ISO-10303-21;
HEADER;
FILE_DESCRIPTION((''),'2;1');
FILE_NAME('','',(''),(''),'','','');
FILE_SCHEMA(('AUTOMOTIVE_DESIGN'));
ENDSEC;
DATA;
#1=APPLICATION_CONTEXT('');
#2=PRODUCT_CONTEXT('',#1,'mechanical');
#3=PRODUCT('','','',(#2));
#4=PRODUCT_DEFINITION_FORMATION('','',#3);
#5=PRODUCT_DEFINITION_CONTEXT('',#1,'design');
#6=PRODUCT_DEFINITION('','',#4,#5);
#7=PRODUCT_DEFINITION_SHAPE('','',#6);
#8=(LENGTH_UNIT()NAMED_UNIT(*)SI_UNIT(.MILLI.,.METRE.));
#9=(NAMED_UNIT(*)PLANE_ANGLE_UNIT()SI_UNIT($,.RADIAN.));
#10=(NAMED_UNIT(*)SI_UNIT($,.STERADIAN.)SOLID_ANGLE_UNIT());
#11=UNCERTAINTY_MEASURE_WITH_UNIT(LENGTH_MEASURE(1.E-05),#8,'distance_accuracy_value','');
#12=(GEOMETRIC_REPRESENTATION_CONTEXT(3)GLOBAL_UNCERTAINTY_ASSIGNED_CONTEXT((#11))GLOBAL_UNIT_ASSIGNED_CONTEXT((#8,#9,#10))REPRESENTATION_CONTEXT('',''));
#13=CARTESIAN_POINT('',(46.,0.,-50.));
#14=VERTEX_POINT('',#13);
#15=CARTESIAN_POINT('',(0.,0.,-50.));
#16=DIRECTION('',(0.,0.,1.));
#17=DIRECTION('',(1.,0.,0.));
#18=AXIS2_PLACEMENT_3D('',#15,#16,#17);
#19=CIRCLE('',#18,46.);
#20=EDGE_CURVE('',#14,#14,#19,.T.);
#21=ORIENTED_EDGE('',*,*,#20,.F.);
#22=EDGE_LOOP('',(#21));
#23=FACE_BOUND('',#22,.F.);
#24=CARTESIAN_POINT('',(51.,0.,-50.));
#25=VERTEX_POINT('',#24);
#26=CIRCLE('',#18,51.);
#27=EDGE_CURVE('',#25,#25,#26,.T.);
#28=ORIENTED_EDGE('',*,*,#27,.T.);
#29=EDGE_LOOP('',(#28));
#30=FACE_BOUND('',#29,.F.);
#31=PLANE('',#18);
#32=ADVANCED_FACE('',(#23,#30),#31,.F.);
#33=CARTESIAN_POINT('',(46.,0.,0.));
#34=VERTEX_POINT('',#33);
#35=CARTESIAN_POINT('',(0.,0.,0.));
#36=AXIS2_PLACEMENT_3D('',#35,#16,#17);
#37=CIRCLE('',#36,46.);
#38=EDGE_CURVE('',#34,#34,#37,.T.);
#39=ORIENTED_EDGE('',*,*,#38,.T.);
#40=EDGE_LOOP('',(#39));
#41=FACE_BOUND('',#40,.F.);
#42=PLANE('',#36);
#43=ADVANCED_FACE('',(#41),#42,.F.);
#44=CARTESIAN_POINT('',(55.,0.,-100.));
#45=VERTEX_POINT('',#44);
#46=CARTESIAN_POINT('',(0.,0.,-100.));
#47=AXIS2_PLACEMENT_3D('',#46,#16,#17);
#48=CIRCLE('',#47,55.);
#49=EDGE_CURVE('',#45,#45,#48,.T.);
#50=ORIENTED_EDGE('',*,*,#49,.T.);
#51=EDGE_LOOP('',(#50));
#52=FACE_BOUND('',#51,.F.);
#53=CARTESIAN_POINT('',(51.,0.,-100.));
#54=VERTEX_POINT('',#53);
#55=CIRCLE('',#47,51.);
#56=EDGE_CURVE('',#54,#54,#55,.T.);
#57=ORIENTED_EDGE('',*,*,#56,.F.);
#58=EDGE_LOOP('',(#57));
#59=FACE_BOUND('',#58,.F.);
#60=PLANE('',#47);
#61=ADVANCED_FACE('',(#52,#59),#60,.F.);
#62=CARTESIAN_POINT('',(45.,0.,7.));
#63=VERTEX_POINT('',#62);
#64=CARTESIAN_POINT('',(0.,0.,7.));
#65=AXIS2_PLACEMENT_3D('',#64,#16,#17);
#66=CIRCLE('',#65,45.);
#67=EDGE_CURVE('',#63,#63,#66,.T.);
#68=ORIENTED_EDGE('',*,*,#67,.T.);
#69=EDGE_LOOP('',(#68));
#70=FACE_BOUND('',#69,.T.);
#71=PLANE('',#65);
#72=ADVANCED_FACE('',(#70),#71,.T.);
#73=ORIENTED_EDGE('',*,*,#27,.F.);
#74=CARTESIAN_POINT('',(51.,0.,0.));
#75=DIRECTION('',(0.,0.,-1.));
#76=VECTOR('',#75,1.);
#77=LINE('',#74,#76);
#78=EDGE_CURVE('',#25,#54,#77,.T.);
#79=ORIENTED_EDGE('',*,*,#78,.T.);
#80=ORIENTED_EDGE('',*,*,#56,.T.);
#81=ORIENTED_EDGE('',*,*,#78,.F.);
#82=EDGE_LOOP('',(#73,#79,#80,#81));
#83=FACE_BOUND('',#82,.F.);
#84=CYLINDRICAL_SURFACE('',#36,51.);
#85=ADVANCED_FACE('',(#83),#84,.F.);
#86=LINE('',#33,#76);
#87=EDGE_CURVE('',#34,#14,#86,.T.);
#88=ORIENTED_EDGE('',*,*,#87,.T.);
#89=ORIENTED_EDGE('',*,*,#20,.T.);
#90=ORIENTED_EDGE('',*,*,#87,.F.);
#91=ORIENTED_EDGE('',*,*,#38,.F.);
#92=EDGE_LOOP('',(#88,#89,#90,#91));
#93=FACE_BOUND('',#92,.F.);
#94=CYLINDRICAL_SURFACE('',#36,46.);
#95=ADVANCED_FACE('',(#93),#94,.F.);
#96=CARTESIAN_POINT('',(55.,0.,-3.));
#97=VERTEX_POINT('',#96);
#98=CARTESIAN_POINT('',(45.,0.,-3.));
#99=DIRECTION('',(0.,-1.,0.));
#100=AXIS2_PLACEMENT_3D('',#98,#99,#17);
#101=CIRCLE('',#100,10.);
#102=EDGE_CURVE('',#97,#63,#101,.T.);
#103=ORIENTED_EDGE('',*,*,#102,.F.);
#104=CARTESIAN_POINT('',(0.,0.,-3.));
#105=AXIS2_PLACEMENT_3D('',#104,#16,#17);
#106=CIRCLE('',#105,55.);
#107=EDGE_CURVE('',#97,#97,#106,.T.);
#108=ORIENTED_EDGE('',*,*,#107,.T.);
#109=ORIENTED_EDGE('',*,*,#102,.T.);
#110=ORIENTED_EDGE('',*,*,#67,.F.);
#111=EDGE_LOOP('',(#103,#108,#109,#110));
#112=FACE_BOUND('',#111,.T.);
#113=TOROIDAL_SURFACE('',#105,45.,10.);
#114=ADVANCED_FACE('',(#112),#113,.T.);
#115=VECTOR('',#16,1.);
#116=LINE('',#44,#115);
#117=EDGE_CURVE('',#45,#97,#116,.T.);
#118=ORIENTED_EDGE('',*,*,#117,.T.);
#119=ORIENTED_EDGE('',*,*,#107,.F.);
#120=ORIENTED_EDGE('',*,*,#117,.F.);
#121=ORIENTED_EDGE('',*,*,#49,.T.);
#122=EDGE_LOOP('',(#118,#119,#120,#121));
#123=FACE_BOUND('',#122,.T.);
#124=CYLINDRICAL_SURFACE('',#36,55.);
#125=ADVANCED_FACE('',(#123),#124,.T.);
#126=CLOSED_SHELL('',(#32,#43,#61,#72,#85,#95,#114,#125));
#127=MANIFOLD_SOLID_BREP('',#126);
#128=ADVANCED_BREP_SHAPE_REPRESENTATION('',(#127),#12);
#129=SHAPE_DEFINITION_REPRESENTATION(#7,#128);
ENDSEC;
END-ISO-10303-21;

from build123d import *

# Parameters (mm, degrees)
F0_R     = 55
F0_R_2   = 51
F0_R_3   = 46
F1_DEPTH = 7
F2_DEPTH = 50
F3_DEPTH = 100
F4_R     = 10


with BuildPart() as f1:
    # F0 (on Top) → F1 (new body)
    with BuildSketch(Plane.XY):
        Circle(F0_R)
        Circle(F0_R_2, mode=Mode.SUBTRACT)
        Circle(F0_R_2)
        Circle(F0_R_3, mode=Mode.SUBTRACT)
        Circle(F0_R_3)
    extrude(amount=F1_DEPTH)

    # F0 (on Top) → F2 (join)
    with BuildSketch(Plane.XY):
        Circle(F0_R_2)
        Circle(F0_R_3, mode=Mode.SUBTRACT)
    extrude(amount=-F2_DEPTH)

    # F0 (on Top) → F3 (join)
    with BuildSketch(Plane.XY):
        Circle(F0_R)
        Circle(F0_R_2, mode=Mode.SUBTRACT)
    extrude(amount=-F3_DEPTH)

    # F4
    f4_edges = [f1.edges().sort_by_distance(p)[0] for p in [
        (-55, 0, 7),
    ]]
    fillet(f4_edges, radius=F4_R)


solid = f1.part
